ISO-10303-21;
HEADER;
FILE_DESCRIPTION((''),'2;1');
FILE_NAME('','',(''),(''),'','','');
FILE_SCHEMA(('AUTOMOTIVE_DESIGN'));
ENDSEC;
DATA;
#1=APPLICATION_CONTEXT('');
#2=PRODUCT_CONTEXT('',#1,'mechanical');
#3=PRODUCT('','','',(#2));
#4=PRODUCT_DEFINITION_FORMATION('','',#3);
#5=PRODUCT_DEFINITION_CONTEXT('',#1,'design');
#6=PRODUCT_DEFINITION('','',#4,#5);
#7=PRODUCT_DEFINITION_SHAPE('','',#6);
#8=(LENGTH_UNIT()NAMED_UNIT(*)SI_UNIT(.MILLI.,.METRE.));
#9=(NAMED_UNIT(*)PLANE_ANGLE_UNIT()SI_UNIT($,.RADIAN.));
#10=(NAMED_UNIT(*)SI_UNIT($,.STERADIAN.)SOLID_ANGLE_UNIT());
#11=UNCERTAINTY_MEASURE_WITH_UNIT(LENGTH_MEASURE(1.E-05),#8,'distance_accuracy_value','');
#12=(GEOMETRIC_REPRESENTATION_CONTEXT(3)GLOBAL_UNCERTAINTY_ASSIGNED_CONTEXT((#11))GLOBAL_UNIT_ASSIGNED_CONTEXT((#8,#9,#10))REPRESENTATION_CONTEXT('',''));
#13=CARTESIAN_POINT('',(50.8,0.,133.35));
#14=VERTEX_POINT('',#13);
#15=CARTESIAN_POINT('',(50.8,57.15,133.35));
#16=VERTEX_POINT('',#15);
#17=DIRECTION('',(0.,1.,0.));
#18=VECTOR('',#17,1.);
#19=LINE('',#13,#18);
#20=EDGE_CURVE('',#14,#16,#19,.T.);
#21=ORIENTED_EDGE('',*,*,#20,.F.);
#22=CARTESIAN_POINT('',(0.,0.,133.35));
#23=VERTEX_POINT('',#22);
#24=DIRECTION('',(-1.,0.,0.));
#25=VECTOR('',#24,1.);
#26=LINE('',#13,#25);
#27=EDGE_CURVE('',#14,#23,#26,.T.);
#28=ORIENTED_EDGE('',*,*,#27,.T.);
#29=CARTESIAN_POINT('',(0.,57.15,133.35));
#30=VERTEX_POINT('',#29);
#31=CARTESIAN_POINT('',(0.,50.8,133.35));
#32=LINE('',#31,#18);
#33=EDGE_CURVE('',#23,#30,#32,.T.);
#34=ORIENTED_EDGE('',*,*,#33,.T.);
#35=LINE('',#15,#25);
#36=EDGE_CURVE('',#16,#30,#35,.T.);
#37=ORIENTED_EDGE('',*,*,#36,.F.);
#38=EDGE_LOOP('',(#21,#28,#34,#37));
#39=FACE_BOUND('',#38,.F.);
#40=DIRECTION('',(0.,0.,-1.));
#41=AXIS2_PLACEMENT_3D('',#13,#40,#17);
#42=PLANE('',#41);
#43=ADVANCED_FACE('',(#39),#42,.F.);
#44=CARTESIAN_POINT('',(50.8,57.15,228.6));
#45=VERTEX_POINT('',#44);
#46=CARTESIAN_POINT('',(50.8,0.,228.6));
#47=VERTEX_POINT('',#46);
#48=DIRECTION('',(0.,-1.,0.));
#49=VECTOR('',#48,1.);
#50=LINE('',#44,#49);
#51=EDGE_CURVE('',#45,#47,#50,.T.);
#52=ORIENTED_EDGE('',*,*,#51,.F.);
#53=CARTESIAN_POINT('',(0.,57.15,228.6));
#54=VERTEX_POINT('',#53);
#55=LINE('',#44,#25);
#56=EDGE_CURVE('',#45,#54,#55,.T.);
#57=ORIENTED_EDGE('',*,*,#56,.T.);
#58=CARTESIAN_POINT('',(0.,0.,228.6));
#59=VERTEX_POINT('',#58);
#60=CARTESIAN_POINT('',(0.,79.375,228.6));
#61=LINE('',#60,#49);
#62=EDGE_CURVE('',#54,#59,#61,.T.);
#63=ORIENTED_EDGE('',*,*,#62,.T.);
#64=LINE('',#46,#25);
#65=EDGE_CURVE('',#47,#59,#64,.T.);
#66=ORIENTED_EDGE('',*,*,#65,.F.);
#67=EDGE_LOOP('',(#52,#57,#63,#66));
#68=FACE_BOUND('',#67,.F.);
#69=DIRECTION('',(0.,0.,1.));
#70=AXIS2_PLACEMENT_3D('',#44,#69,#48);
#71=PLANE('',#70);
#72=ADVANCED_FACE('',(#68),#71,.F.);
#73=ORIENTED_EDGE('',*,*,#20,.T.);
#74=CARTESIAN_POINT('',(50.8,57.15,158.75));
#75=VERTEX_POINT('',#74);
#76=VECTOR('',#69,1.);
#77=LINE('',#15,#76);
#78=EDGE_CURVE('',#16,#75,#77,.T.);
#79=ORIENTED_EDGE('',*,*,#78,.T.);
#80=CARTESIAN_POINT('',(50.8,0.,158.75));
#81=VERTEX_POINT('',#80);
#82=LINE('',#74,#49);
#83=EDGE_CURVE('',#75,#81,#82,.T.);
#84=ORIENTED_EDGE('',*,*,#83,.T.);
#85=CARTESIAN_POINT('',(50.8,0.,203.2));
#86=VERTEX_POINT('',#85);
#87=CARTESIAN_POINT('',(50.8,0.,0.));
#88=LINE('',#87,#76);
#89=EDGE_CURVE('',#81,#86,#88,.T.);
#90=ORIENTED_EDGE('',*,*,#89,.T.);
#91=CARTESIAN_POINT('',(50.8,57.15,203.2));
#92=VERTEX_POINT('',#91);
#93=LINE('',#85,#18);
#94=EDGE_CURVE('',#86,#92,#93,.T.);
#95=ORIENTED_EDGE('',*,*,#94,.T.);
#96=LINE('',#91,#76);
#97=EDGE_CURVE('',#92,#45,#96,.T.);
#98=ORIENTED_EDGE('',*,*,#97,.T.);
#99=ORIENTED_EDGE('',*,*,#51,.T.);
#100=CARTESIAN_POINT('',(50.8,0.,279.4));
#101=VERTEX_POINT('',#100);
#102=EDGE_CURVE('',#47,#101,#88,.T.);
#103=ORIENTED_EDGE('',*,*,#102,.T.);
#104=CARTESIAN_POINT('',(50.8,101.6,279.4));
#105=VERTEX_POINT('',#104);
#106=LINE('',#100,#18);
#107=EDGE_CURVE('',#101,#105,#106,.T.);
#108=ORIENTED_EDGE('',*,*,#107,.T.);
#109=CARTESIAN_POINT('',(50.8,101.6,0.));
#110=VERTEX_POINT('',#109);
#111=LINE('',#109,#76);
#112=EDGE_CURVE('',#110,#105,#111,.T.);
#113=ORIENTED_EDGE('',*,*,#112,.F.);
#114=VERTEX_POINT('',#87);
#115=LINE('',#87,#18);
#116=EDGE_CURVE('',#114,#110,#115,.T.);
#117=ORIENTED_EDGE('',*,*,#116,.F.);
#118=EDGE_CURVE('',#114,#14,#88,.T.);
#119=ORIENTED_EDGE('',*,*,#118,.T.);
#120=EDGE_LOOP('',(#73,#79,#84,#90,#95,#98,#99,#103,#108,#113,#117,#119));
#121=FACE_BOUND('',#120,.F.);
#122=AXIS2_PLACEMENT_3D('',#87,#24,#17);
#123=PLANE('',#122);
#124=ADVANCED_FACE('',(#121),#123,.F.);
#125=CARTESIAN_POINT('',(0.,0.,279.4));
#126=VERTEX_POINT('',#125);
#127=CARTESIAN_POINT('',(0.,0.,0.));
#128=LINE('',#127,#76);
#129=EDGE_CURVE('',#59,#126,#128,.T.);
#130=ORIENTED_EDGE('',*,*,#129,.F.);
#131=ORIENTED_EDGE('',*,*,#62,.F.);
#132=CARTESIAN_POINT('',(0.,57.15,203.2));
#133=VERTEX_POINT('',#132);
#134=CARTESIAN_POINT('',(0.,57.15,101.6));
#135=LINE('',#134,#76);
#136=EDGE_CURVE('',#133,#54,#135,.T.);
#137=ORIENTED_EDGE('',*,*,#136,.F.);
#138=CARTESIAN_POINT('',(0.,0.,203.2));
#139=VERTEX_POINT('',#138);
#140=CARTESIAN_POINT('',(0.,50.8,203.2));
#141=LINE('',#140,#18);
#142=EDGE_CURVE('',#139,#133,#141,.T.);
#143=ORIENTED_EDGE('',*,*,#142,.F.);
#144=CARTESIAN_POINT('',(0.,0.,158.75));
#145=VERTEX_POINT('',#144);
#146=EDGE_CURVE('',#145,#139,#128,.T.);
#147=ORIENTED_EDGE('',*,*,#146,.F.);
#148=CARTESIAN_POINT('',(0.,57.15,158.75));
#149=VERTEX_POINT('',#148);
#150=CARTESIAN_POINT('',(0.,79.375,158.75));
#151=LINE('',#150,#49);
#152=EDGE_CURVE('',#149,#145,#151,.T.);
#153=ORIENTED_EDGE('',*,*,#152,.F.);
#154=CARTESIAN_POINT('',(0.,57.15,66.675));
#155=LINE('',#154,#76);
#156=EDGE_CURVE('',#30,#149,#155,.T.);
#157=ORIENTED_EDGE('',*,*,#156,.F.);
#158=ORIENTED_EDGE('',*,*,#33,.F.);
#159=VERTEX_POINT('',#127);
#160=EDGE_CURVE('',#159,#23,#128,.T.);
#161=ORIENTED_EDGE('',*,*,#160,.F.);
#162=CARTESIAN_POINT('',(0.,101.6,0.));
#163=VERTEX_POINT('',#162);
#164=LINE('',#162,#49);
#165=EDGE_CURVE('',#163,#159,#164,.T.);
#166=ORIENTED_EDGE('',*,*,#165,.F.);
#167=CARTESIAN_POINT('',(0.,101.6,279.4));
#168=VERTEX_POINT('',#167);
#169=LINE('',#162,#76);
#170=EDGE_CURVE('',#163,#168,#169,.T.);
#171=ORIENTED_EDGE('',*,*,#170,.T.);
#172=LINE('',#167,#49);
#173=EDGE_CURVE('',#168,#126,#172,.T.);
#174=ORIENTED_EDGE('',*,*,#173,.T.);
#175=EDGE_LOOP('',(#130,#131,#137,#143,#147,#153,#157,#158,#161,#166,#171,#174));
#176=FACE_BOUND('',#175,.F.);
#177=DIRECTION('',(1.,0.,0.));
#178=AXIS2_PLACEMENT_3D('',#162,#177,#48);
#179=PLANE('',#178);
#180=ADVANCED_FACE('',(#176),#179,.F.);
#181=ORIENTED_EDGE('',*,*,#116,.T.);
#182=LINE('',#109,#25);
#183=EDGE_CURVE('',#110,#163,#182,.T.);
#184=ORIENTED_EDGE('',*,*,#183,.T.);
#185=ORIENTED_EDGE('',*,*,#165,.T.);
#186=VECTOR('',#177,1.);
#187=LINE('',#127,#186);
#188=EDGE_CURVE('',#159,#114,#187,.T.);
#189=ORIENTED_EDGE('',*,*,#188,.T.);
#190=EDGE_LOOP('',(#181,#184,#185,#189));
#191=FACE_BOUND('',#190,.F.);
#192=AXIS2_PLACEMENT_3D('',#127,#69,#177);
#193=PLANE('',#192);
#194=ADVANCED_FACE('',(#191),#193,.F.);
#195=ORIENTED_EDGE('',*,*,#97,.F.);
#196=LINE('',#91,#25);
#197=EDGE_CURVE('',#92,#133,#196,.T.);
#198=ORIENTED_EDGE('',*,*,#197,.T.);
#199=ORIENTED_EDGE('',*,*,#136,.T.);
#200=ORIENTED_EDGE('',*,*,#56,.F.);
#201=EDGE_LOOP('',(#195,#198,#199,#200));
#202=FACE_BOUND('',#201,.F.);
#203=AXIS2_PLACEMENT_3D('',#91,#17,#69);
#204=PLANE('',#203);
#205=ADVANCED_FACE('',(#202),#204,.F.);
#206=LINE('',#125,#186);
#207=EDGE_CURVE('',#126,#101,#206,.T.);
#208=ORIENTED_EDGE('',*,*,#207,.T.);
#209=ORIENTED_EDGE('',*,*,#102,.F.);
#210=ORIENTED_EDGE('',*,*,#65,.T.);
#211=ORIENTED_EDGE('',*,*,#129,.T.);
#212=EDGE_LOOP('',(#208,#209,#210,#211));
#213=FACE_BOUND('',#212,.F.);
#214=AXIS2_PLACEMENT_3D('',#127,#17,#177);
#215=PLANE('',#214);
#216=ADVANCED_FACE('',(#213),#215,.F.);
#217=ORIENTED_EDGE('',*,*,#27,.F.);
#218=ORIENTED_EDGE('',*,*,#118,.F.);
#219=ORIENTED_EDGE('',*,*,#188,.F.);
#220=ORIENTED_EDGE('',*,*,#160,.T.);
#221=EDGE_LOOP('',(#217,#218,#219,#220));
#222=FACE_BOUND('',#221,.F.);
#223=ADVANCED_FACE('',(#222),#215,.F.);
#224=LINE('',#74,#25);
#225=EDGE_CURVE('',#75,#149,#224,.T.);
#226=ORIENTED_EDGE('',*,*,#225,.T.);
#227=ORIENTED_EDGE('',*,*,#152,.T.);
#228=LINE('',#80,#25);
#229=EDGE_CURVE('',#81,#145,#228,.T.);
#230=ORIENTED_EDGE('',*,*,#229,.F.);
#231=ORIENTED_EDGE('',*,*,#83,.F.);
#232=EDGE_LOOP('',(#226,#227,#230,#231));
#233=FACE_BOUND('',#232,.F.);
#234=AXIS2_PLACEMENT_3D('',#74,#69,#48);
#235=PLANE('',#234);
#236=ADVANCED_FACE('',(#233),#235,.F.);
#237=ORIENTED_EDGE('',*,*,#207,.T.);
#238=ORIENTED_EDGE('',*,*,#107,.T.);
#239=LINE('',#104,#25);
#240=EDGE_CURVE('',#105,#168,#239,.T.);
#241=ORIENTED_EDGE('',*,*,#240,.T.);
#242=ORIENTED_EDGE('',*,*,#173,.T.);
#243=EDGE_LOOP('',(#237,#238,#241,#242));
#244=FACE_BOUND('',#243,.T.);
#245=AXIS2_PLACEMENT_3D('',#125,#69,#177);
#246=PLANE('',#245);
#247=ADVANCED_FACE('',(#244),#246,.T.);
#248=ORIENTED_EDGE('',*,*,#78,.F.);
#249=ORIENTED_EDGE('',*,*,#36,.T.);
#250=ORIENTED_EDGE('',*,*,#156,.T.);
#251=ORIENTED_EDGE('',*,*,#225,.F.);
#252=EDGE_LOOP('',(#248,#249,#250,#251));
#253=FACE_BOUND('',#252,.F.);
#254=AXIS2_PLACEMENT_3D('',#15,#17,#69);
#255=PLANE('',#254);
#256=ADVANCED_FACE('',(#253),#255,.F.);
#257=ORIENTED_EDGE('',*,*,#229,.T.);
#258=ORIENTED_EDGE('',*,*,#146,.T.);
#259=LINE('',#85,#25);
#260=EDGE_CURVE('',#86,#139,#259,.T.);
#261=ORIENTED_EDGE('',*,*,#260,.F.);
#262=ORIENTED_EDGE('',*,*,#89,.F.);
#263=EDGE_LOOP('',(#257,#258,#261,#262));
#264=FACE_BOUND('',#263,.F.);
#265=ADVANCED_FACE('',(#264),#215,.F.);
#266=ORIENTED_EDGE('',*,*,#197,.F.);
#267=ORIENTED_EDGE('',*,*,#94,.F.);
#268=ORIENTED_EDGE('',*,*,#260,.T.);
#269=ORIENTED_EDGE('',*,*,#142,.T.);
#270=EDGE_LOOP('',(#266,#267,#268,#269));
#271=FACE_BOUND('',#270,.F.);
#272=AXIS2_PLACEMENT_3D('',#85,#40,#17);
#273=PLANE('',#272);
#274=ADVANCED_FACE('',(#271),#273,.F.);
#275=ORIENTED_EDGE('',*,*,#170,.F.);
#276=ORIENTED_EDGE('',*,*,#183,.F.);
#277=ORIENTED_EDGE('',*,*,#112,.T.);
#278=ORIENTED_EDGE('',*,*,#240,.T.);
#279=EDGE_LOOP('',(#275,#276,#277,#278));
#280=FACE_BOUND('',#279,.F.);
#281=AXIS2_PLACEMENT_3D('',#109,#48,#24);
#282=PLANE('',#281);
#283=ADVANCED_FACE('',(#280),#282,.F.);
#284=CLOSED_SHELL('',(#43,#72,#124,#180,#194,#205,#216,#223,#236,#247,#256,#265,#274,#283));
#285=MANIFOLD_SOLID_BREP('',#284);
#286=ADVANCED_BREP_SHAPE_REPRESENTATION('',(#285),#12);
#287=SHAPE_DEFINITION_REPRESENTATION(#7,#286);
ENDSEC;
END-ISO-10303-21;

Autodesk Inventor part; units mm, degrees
ref_plane "YZ Plane" through (0, 0, 0) normal (1, 0, 0) x (0, 1, 0)
ref_plane "XZ Plane" through (0, 0, 0) normal (0, 1, 0) x (-1, 0, 0)
ref_plane "XY Plane" through (0, 0, 0) normal (0, 0, 1) x (1, 0, 0)
sketch "Sketch1" plane through (0, 0, 0) normal (0, 0, 1) x (1, 0, 0)
  line L0 (0, 0) -> (50.8, 0)
  line L1 (50.8, 0) -> (50.8, 101.6)
  line L2 (50.8, 101.6) -> (0, 101.6)
  line L3 (0, 101.6) -> (0, 0)
  dimension "d0" = 50.8
  dimension "d1" = 101.6
extrude "Extrusion1" add sketch "Sketch1" along normal blind 279.4
sketch "Sketch2" plane through (50.8, 0, 0) normal (1, 0, 0) x (0, 0, -1)
  line L0 (0, 0) -> (-279.4, 0) projected
  line L1 (-228.6, 0) -> (-203.2, 0)
  line L2 (-203.2, 0) -> (-203.2, 57.15)
  line L3 (-203.2, 57.15) -> (-228.6, 57.15)
  line L4 (-228.6, 57.15) -> (-228.6, 0)
  line L5 (-279.4, 0) -> (-279.4, 101.6) projected
  line L6 (-158.75, 0) -> (-133.35, 0)
  line L7 (-133.35, 0) -> (-133.35, 57.15)
  line L8 (-133.35, 57.15) -> (-158.75, 57.15)
  line L9 (-158.75, 57.15) -> (-158.75, 0)
  dimension "d4" = 25.4
  dimension "d5" = 57.15
  dimension "d6" = 50.8
  dimension "d7" = 25.4
  dimension "d8" = 44.45
extrude "Extrusion2" cut sketch "Sketch2" against normal blind 266.7
properties part number "LargeSideHook"
